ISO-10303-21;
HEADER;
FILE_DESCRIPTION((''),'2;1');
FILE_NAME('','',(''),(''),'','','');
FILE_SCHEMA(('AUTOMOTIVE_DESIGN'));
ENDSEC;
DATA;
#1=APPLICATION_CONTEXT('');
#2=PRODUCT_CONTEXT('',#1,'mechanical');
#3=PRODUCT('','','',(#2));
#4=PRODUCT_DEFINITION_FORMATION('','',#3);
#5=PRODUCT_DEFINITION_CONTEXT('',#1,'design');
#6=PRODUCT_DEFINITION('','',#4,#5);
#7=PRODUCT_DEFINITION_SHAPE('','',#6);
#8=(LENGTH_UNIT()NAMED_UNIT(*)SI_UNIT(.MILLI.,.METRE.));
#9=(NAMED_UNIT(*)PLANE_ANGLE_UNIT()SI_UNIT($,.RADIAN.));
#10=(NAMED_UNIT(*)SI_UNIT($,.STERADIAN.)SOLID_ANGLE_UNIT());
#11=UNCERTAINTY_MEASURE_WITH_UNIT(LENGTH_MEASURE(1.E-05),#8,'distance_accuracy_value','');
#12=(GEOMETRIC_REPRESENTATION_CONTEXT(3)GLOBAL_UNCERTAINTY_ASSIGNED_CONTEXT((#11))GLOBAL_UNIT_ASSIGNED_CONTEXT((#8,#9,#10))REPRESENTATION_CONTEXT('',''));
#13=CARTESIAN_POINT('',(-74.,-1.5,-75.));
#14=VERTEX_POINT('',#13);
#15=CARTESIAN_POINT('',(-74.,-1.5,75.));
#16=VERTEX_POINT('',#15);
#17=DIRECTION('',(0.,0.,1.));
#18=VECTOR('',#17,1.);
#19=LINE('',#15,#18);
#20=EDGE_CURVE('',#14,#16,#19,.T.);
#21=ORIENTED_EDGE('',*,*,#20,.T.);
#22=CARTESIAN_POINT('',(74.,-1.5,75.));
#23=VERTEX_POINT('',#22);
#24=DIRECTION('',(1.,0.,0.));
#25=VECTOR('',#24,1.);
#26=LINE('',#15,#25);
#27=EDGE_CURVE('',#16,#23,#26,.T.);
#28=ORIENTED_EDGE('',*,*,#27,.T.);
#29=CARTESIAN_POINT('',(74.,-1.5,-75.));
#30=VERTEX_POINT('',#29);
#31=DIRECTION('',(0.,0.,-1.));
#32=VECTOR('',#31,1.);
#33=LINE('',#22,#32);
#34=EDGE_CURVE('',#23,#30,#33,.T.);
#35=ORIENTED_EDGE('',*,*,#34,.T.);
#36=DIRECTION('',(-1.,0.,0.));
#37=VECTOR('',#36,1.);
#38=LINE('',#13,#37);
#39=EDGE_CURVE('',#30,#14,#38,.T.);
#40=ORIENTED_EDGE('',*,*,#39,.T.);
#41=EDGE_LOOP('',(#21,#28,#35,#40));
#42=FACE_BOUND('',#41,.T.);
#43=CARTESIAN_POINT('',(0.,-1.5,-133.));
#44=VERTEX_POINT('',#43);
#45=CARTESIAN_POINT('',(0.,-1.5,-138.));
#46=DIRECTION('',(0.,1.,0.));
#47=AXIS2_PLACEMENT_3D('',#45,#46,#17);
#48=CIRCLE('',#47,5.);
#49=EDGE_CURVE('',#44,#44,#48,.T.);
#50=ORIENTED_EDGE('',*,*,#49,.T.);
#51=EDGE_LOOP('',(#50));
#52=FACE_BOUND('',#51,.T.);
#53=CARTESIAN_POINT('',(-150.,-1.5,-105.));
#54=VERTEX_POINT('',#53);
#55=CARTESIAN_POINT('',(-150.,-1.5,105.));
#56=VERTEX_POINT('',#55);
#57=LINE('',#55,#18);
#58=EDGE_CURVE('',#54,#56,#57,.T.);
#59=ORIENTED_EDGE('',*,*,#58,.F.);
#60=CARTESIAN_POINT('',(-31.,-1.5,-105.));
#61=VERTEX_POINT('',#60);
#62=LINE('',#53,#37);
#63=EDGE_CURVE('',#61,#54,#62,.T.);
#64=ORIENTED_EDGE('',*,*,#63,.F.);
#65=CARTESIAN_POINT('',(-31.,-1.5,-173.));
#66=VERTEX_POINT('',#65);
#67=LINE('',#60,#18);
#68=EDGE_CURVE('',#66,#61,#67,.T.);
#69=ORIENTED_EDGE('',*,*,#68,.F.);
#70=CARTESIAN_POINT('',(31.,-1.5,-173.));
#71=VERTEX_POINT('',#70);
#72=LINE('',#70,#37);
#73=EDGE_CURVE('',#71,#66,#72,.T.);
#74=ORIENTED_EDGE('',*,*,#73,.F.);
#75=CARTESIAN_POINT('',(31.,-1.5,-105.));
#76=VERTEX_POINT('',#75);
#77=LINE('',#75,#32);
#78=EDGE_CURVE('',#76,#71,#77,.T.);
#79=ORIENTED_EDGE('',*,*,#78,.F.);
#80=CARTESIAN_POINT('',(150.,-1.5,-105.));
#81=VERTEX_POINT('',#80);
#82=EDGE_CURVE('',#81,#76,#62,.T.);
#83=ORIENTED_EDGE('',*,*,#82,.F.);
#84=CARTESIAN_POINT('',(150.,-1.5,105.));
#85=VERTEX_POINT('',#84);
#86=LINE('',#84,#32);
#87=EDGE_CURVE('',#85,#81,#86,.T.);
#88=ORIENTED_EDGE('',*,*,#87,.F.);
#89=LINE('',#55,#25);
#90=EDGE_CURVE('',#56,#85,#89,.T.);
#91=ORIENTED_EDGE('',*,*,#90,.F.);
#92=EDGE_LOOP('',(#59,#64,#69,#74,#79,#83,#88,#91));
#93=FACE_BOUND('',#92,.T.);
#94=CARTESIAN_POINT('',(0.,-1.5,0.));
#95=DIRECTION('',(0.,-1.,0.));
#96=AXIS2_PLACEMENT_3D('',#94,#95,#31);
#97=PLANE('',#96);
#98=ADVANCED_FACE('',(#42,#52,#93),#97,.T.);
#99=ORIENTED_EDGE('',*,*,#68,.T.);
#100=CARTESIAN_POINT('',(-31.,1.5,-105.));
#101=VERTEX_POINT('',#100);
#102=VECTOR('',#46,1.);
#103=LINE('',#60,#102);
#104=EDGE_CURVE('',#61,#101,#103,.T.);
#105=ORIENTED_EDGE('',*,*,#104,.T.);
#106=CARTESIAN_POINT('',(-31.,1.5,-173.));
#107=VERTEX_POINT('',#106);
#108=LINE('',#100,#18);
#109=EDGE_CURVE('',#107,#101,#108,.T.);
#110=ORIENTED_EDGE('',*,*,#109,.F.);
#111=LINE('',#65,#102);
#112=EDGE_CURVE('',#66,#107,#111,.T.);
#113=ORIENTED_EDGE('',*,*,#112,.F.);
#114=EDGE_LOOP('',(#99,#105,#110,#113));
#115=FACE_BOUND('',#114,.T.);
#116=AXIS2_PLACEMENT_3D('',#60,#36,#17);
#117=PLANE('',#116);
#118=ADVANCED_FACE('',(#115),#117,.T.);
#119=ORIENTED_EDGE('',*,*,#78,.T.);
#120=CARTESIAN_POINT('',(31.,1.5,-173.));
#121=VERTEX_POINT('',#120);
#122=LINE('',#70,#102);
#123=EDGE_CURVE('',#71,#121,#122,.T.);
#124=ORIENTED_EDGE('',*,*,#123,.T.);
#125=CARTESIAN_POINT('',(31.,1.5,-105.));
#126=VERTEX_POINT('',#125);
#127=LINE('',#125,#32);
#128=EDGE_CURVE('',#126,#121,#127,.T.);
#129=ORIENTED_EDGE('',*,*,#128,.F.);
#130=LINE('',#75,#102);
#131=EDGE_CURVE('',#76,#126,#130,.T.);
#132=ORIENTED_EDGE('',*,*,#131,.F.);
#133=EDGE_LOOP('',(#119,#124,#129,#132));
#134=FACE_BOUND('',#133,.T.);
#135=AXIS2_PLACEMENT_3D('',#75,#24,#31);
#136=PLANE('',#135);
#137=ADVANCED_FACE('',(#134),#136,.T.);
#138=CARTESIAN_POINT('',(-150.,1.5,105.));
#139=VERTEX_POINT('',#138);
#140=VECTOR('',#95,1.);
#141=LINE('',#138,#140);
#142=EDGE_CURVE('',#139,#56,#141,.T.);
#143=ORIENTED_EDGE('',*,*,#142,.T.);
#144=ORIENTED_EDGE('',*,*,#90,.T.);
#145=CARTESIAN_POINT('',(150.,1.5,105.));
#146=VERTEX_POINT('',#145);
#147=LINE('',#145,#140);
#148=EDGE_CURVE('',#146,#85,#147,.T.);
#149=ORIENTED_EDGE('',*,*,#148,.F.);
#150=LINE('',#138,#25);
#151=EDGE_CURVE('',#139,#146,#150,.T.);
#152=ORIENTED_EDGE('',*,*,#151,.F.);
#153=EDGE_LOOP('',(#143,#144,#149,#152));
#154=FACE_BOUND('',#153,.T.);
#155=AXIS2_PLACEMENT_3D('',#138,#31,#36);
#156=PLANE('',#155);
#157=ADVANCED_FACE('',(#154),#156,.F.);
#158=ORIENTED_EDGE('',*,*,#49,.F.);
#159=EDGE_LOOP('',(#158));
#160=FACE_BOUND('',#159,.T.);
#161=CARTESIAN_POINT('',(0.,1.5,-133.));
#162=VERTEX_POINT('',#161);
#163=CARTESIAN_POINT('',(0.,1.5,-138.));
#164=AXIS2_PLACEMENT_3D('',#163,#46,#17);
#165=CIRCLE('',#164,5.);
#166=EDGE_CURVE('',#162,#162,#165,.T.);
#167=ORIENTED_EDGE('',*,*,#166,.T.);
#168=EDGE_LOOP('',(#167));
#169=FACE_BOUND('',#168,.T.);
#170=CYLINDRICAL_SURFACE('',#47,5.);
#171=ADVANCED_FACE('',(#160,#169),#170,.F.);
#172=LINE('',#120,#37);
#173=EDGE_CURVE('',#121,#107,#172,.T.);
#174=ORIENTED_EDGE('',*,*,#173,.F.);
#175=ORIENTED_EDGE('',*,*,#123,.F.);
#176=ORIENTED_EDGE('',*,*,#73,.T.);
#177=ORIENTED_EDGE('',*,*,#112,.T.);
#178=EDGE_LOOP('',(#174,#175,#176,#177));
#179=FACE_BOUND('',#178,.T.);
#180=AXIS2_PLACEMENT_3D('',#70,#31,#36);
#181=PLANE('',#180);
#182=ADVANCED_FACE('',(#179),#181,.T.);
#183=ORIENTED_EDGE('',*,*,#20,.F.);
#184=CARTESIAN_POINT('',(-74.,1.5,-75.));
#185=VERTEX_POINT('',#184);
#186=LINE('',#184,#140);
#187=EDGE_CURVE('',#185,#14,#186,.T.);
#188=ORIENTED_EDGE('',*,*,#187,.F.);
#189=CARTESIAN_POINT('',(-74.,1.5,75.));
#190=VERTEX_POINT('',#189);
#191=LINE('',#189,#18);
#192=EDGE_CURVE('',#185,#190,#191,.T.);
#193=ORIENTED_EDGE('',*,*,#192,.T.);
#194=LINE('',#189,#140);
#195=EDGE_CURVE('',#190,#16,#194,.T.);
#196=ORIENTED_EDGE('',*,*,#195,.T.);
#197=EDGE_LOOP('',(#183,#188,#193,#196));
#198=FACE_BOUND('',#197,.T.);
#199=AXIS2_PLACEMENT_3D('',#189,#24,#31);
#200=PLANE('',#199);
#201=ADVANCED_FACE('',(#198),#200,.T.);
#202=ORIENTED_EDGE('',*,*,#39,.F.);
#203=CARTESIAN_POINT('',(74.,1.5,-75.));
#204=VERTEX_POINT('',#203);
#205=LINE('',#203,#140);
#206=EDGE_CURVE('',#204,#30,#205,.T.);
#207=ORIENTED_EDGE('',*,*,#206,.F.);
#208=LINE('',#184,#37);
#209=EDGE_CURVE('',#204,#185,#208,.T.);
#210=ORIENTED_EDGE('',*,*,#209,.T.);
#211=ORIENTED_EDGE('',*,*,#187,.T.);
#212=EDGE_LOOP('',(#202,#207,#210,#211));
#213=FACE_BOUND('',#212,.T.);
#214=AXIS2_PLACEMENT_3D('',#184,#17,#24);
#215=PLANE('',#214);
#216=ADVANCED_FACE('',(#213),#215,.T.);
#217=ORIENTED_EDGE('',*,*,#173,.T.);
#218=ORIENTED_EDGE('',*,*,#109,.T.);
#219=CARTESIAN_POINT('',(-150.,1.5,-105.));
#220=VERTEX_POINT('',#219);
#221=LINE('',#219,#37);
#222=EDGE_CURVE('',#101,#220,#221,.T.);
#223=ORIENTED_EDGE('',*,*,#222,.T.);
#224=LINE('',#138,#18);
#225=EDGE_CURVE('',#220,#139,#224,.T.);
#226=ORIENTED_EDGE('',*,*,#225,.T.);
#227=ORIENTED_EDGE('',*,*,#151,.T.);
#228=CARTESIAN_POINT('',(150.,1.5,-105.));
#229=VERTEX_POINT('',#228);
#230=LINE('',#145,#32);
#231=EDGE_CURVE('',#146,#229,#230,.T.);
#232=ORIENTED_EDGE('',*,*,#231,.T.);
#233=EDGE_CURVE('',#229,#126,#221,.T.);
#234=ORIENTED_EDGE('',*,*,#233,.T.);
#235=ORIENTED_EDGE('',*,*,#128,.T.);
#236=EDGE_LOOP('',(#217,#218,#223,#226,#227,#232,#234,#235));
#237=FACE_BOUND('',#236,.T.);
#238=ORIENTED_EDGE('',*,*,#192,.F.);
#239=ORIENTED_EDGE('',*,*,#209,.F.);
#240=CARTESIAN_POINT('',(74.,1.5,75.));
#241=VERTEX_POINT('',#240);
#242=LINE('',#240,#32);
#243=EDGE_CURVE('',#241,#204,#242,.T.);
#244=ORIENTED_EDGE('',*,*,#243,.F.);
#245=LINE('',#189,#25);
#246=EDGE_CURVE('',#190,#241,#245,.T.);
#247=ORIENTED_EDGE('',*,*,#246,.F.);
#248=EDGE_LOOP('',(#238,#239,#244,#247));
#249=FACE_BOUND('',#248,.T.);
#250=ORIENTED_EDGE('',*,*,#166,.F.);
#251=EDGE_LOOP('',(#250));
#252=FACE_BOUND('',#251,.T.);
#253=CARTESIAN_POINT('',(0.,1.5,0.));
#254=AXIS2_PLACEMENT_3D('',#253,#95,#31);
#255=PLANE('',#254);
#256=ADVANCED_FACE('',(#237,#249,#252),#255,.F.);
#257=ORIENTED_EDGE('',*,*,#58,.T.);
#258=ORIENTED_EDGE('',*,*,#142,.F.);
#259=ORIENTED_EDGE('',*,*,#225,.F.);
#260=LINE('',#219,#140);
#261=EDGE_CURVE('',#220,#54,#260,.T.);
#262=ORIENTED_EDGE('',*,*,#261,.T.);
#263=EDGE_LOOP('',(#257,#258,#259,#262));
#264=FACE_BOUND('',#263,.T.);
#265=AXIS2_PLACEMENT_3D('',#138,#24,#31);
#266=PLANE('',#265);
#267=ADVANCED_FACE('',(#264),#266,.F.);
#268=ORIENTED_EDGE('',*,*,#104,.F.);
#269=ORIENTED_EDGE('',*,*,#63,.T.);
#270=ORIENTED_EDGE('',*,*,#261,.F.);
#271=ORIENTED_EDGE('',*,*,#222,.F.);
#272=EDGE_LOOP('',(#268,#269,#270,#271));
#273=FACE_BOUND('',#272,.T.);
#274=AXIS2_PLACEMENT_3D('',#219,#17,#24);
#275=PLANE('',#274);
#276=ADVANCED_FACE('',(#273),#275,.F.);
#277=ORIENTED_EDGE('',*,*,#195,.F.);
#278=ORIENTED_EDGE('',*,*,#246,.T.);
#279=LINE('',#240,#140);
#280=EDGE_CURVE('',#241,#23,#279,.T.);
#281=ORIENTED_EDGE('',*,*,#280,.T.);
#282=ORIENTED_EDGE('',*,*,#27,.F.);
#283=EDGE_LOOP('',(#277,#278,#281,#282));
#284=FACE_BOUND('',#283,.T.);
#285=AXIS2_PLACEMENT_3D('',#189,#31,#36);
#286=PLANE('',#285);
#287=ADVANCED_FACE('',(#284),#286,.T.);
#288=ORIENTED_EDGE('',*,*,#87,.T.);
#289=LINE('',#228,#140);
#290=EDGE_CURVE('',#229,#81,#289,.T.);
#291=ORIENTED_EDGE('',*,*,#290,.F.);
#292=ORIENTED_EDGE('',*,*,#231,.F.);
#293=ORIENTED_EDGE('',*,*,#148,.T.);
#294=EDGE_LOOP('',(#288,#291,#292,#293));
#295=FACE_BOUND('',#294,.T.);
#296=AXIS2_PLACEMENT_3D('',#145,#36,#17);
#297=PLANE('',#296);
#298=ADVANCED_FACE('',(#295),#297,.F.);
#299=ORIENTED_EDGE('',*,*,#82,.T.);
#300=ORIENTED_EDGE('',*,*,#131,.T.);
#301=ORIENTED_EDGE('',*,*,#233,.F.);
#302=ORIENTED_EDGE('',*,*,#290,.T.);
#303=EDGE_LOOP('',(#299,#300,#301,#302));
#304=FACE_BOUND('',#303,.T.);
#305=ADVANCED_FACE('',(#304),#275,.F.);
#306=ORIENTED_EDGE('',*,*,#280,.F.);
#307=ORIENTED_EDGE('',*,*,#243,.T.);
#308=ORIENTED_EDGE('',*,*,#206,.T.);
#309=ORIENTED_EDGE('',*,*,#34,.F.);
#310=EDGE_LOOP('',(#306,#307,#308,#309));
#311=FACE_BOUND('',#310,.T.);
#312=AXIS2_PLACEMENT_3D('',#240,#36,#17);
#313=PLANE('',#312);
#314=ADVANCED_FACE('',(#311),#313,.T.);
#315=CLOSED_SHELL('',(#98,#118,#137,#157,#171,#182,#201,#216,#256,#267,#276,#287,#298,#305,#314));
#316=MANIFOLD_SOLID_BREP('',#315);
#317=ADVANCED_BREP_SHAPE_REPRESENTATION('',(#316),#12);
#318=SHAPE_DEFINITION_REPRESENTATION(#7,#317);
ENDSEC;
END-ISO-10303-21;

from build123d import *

# Parameters (mm, degrees)
SKETCH1_W           = 300
SKETCH1_H           = 210
SKETCH1_W_2         = 148
SKETCH1_H_2         = 150
BOSS_EXTRUDE1_DEPTH = 1.5
SKETCH2_W           = 62
SKETCH2_H           = 68
SKETCH2_R           = 5
BOSS_EXTRUDE2_DEPTH = 3


with BuildPart() as part:
    # Sketch1 → Boss-Extrude1 (new, symmetric)
    with BuildSketch(Plane(origin=(0, 0, 0), x_dir=(1, 0, 0), z_dir=(0, 1, 0))):
        Rectangle(SKETCH1_W, SKETCH1_H)
        Rectangle(SKETCH1_W_2, SKETCH1_H_2, mode=Mode.SUBTRACT)
    extrude(amount=BOSS_EXTRUDE1_DEPTH, both=True)

    # Sketch2 → Boss-Extrude2 (add, through all)
    with BuildSketch(Plane(origin=(0, 1.5, 0), x_dir=(1, 0, 0), z_dir=(0, 1, 0))):
        with Locations((0, 139)):
            Rectangle(SKETCH2_W, SKETCH2_H)
        with Locations(Location((0, 138, 0), (0, 0, 270))):
            Circle(SKETCH2_R, mode=Mode.SUBTRACT)
    extrude(amount=-BOSS_EXTRUDE2_DEPTH)


solid = part.part
